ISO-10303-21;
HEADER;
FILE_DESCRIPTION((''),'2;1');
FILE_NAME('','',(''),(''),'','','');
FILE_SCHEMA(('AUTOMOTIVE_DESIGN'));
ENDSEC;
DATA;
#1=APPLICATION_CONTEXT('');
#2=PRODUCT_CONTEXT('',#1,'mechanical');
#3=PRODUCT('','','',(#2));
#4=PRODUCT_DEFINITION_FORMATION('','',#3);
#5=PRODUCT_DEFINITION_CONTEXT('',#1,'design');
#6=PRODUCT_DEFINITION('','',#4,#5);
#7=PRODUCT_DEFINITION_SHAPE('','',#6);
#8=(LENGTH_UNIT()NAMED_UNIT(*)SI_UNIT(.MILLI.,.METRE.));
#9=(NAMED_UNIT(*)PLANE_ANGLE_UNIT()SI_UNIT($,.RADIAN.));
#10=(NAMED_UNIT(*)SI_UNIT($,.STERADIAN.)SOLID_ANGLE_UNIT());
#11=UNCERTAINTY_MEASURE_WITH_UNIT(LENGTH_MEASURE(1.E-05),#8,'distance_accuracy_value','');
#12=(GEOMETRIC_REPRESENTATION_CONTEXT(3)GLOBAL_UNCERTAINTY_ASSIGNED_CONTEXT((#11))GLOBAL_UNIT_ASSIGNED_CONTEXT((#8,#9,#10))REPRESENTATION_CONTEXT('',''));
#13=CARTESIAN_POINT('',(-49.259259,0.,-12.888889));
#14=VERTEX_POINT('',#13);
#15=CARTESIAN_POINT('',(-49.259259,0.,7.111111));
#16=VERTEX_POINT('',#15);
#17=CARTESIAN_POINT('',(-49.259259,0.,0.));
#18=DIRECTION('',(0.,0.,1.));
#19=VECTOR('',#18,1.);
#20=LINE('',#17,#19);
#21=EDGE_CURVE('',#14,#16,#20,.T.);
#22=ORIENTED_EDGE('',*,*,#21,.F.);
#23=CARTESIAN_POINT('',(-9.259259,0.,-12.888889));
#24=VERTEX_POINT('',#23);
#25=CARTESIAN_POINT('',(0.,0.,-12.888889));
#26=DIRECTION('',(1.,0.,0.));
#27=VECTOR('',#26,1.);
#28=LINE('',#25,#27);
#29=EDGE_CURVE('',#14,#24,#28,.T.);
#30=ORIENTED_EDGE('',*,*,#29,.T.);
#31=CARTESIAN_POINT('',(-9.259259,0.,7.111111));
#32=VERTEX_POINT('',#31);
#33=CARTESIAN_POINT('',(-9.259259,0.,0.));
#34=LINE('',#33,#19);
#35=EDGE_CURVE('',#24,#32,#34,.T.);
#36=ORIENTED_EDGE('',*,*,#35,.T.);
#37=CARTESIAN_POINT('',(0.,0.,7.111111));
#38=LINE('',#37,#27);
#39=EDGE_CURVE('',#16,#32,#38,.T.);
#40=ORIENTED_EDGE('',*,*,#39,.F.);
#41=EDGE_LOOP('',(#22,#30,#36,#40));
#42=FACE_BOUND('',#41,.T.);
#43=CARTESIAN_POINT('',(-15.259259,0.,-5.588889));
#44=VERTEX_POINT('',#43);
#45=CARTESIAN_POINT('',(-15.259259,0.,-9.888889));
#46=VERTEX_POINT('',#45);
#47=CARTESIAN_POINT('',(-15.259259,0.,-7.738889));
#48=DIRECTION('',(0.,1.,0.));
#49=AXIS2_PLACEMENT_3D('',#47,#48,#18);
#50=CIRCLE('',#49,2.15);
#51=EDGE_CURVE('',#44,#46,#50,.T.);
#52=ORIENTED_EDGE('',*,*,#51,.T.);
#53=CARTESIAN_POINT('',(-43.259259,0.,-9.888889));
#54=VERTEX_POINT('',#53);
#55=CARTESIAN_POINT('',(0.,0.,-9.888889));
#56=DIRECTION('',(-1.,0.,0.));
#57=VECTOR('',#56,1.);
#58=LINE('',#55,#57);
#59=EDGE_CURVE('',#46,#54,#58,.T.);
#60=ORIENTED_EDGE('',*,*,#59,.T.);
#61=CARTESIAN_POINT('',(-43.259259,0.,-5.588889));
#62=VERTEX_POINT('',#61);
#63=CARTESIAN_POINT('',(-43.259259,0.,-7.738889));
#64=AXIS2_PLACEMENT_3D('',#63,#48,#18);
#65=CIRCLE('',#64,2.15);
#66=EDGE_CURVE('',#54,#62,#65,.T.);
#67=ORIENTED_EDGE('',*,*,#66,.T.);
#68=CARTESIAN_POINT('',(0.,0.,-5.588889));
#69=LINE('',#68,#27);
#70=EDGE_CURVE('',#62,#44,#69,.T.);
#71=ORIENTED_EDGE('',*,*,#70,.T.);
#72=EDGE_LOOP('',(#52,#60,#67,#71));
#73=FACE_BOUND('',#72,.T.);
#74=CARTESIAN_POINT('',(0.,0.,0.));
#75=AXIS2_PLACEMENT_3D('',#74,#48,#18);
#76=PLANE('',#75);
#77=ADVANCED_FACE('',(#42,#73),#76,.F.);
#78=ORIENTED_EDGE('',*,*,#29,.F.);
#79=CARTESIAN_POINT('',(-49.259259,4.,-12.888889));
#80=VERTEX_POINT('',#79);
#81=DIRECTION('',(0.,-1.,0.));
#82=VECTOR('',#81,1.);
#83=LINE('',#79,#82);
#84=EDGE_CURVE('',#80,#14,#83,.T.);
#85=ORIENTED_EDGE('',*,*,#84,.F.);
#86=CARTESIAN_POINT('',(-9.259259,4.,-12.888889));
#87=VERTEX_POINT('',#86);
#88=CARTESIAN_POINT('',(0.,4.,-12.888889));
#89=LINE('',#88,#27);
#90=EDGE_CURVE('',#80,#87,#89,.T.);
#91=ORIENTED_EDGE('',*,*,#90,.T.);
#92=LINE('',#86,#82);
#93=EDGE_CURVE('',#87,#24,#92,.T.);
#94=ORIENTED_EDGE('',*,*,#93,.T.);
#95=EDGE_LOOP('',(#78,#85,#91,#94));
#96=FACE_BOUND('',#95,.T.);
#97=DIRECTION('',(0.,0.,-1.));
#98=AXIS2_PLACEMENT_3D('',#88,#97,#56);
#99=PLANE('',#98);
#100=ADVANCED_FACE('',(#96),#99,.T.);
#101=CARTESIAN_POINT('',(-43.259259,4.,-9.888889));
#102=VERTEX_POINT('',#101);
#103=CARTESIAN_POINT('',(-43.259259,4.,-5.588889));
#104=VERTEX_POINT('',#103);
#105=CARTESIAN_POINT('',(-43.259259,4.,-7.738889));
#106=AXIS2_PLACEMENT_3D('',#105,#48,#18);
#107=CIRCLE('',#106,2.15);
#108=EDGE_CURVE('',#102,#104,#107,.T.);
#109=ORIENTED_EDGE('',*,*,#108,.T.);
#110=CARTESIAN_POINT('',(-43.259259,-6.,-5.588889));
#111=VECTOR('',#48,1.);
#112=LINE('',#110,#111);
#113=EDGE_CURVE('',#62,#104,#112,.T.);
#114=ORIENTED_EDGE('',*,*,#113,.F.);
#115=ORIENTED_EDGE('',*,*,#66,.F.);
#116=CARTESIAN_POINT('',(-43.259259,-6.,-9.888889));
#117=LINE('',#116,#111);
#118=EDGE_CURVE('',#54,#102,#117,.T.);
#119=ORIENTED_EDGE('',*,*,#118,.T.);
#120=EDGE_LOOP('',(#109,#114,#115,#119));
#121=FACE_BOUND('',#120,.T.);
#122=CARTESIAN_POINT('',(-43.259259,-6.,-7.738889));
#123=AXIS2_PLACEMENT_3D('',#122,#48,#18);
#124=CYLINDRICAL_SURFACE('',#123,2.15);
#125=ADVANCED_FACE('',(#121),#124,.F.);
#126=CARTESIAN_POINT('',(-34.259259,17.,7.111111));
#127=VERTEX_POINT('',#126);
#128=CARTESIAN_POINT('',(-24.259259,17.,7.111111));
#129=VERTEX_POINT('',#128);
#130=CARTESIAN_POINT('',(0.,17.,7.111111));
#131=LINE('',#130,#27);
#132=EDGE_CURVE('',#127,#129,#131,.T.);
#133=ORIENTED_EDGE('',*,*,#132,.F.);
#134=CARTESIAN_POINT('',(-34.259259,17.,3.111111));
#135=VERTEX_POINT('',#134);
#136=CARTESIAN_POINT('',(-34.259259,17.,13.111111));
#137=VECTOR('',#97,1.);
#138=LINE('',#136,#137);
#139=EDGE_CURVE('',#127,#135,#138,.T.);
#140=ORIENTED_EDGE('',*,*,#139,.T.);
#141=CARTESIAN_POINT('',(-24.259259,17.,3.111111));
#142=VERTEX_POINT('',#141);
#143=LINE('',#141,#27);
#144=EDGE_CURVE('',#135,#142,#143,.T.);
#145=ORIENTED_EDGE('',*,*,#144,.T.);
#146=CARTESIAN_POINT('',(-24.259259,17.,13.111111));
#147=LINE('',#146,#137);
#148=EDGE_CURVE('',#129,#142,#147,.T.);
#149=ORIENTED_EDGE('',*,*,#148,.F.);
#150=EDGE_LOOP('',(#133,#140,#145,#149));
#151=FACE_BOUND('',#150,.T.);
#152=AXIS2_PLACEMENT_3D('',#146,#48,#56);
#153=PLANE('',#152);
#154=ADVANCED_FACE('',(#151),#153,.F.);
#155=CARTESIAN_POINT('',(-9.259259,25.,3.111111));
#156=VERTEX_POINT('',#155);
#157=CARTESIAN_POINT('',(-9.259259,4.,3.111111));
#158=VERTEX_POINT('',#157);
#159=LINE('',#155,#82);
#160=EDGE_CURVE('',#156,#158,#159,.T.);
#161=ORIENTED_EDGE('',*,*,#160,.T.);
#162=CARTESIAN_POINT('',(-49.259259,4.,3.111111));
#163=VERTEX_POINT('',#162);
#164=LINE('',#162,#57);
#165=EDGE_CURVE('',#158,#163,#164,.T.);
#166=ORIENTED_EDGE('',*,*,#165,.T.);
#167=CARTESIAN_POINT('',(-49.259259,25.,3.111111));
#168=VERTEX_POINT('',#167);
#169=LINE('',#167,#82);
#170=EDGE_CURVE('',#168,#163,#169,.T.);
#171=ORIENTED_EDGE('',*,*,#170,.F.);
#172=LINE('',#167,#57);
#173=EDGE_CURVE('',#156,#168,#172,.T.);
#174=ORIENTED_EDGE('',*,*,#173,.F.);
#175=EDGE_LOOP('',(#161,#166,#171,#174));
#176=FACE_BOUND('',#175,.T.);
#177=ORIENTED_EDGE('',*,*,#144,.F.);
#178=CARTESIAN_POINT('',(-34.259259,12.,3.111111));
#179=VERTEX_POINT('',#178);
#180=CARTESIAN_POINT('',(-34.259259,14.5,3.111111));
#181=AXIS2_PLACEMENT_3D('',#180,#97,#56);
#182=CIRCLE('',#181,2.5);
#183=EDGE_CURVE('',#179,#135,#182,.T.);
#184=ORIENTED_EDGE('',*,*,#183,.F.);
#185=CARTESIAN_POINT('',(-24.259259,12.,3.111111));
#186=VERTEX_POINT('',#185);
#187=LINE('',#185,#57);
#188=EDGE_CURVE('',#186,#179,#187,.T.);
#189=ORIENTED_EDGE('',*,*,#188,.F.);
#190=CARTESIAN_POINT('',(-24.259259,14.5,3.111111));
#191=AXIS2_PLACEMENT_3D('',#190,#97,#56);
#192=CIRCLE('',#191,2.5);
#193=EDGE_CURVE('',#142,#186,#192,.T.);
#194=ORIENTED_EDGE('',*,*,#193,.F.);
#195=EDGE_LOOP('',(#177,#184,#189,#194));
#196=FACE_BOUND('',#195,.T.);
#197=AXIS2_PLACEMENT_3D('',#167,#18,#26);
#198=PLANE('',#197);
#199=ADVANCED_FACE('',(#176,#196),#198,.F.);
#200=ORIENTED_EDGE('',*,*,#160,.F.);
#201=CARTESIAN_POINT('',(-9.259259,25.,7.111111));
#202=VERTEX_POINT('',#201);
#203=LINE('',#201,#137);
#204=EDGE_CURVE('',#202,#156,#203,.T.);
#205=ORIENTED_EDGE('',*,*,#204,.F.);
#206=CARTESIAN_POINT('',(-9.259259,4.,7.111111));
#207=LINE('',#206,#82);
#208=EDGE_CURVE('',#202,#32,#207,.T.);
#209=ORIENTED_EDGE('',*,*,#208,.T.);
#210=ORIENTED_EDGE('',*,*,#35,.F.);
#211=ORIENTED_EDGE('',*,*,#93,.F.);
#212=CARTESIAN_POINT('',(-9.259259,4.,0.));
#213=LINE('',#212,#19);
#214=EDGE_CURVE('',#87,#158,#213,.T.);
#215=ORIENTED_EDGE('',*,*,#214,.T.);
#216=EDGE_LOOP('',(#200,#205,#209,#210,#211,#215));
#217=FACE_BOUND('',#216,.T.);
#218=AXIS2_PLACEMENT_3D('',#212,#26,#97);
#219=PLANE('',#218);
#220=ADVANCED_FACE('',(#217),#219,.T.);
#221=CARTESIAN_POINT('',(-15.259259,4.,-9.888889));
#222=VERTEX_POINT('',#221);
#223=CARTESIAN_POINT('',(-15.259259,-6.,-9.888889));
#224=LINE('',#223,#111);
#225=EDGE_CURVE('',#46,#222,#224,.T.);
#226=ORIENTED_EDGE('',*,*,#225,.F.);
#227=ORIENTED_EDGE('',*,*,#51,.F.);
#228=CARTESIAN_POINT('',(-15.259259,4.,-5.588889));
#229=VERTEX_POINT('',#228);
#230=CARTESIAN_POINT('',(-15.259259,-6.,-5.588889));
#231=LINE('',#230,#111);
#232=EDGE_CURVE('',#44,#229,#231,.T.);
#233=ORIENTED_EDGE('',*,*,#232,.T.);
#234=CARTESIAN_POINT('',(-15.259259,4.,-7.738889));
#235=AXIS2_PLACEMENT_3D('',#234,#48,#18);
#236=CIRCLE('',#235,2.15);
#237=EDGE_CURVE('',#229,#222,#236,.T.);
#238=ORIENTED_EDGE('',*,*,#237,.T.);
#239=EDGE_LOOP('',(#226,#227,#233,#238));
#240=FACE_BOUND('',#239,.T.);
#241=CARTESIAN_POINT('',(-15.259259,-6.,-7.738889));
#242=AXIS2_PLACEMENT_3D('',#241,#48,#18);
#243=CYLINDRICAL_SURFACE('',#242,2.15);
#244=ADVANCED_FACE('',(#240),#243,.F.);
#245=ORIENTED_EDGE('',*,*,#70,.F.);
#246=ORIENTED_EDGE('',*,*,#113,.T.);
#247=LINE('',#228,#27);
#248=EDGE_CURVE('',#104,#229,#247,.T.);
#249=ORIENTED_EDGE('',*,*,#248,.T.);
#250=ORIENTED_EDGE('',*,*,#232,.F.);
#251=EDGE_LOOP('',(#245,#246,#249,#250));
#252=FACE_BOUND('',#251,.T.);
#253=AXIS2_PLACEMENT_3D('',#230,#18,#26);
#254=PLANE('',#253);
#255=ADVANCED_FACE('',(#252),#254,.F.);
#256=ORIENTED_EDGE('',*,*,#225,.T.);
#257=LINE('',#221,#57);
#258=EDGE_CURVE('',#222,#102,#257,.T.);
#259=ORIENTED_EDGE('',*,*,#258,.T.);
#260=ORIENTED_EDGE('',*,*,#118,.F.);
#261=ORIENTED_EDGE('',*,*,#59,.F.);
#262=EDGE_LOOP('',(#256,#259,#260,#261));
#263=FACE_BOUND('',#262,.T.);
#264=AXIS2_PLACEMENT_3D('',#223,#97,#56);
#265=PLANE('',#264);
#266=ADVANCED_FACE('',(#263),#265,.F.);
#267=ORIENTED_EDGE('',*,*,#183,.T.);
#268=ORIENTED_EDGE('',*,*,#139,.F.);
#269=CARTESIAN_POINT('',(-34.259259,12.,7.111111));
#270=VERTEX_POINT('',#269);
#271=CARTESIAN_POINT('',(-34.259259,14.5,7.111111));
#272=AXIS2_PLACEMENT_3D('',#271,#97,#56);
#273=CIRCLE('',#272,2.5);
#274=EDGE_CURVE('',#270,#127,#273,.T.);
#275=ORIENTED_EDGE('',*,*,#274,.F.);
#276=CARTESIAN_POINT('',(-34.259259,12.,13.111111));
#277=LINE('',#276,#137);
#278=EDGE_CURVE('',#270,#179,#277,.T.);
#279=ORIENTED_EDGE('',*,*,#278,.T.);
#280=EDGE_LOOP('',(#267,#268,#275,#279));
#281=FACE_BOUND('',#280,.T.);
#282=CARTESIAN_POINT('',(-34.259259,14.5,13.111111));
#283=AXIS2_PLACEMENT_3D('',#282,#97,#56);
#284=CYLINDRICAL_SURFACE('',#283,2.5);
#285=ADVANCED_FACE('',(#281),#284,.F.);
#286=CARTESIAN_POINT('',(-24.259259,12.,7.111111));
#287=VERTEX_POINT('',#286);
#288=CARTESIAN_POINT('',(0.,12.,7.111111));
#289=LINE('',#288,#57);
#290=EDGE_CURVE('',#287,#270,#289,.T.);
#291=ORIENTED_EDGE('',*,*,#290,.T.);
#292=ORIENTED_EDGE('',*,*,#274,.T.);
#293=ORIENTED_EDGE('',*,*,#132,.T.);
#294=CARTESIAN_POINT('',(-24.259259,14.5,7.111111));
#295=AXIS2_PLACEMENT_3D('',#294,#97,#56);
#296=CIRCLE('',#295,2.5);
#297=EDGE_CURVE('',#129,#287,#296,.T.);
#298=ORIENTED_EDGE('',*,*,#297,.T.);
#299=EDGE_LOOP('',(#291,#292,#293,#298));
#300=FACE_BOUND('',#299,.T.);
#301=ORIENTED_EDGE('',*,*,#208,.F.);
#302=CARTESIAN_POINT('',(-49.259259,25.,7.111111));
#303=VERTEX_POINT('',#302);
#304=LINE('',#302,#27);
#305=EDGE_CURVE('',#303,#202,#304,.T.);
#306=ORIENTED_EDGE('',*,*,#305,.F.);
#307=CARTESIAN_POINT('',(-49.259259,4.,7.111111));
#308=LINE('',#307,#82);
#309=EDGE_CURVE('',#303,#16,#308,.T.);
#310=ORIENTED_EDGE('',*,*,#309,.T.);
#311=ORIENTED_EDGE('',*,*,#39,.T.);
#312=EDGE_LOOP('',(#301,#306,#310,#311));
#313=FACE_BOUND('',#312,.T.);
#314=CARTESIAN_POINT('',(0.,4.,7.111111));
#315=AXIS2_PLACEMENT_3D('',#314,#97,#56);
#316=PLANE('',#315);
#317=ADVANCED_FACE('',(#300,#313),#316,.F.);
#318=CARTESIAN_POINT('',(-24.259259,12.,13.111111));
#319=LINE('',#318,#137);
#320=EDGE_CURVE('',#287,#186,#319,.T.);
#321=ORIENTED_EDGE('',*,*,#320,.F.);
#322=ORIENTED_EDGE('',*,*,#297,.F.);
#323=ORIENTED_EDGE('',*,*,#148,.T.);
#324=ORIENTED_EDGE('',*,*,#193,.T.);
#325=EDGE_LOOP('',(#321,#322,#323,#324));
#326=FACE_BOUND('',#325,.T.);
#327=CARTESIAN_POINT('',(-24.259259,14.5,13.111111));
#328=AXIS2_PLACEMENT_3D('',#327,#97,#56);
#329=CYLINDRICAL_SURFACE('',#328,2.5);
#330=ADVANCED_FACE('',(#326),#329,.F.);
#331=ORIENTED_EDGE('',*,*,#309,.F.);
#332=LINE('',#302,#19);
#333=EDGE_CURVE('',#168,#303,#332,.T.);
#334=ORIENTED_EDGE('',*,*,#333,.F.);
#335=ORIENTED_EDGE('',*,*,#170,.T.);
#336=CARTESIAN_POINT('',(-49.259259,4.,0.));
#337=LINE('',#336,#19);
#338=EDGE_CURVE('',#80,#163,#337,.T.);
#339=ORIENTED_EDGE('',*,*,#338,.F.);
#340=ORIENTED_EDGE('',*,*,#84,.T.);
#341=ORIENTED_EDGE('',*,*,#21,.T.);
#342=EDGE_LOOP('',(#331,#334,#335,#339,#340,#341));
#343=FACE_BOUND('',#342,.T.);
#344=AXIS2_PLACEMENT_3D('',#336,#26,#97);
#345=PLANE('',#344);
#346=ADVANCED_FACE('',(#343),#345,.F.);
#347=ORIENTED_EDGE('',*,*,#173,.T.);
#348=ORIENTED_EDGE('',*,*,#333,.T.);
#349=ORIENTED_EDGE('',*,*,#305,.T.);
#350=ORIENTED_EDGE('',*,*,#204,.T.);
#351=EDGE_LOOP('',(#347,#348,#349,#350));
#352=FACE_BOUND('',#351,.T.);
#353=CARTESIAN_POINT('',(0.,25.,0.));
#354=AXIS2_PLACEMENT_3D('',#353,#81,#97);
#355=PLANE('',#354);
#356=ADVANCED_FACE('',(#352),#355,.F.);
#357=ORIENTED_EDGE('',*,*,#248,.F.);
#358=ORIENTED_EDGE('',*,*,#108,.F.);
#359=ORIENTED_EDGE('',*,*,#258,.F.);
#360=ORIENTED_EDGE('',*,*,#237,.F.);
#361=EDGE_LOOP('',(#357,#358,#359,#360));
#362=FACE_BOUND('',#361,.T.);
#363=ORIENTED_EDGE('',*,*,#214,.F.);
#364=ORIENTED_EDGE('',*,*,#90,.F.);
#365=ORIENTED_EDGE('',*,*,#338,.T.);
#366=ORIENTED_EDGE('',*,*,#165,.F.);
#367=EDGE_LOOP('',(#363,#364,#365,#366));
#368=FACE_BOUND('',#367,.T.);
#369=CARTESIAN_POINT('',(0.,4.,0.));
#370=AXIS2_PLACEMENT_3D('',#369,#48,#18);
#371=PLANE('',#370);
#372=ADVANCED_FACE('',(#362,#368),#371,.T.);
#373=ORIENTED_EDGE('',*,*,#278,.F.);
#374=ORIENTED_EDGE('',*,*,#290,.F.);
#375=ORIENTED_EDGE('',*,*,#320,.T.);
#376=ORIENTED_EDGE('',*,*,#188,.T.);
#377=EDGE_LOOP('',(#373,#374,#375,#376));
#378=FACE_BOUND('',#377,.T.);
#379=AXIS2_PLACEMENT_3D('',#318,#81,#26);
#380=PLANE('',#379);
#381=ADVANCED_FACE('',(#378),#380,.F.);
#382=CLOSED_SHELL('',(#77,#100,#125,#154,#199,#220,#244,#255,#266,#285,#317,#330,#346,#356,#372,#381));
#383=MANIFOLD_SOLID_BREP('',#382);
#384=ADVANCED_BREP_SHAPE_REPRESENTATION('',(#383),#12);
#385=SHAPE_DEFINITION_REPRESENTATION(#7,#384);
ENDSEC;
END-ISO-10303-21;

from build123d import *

# Parameters (mm, degrees)
SKETCH1_W           = 40
SKETCH1_H           = 20
BOSS_EXTRUDE1_DEPTH = 4
SKETCH5_W           = 40
SKETCH5_H           = 4
BOSS_EXTRUDE2_DEPTH = 21
CUT_EXTRUDE3_DEPTH  = 10
CUT_EXTRUDE5_DEPTH  = 10


with BuildPart() as part:
    # Sketch1 → Boss-Extrude1 (new body)
    with BuildSketch(Plane(origin=(0, 0, 0), x_dir=(1, 0, 0), z_dir=(0, 1, 0))):
        with Locations((-29.259259259, 2.888888889)):
            Rectangle(SKETCH1_W, SKETCH1_H)
    extrude(amount=BOSS_EXTRUDE1_DEPTH)

    # Sketch5 → Boss-Extrude2 (add)
    with BuildSketch(Plane(origin=(0, 4, 0), x_dir=(1, 0, 0), z_dir=(0, 1, 0))):
        with Locations((-29.259259259, -5.111111111)):
            Rectangle(SKETCH5_W, SKETCH5_H)
    extrude(amount=BOSS_EXTRUDE2_DEPTH)

    # Sketch7 → Cut-Extrude3 (cut)
    with BuildSketch(Plane(origin=(0, 4, 0), x_dir=(1, 0, 0), z_dir=(0, 1, 0))):
        with BuildLine():
            Line((-15.259259259, 5.588888889), (-43.259259259, 5.588888889))
            ThreePointArc((-43.259259259, 5.588888889), (-45.409259259, 7.738888889), (-43.259259259, 9.888888889))
            Line((-43.259259259, 9.888888889), (-15.259259259, 9.888888889))
            ThreePointArc((-15.259259259, 9.888888889), (-13.109259259, 7.738888889), (-15.259259259, 5.588888889))
        make_face()
    extrude(amount=-CUT_EXTRUDE3_DEPTH, mode=Mode.SUBTRACT)

    # Sketch8 → Cut-Extrude5 (cut)
    with BuildSketch(Plane(origin=(0, 0, 3.111111111), x_dir=(-1, 0, 0), z_dir=(0, 0, -1))):
        with BuildLine():
            Line((24.259259259, 17), (34.259259259, 17))
            ThreePointArc((34.259259259, 17), (36.759259259, 14.5), (34.259259259, 12))
            Line((34.259259259, 12), (24.259259259, 12))
            ThreePointArc((24.259259259, 12), (21.759259259, 14.5), (24.259259259, 17))
        make_face()
    extrude(amount=-CUT_EXTRUDE5_DEPTH, mode=Mode.SUBTRACT)


solid = part.part
